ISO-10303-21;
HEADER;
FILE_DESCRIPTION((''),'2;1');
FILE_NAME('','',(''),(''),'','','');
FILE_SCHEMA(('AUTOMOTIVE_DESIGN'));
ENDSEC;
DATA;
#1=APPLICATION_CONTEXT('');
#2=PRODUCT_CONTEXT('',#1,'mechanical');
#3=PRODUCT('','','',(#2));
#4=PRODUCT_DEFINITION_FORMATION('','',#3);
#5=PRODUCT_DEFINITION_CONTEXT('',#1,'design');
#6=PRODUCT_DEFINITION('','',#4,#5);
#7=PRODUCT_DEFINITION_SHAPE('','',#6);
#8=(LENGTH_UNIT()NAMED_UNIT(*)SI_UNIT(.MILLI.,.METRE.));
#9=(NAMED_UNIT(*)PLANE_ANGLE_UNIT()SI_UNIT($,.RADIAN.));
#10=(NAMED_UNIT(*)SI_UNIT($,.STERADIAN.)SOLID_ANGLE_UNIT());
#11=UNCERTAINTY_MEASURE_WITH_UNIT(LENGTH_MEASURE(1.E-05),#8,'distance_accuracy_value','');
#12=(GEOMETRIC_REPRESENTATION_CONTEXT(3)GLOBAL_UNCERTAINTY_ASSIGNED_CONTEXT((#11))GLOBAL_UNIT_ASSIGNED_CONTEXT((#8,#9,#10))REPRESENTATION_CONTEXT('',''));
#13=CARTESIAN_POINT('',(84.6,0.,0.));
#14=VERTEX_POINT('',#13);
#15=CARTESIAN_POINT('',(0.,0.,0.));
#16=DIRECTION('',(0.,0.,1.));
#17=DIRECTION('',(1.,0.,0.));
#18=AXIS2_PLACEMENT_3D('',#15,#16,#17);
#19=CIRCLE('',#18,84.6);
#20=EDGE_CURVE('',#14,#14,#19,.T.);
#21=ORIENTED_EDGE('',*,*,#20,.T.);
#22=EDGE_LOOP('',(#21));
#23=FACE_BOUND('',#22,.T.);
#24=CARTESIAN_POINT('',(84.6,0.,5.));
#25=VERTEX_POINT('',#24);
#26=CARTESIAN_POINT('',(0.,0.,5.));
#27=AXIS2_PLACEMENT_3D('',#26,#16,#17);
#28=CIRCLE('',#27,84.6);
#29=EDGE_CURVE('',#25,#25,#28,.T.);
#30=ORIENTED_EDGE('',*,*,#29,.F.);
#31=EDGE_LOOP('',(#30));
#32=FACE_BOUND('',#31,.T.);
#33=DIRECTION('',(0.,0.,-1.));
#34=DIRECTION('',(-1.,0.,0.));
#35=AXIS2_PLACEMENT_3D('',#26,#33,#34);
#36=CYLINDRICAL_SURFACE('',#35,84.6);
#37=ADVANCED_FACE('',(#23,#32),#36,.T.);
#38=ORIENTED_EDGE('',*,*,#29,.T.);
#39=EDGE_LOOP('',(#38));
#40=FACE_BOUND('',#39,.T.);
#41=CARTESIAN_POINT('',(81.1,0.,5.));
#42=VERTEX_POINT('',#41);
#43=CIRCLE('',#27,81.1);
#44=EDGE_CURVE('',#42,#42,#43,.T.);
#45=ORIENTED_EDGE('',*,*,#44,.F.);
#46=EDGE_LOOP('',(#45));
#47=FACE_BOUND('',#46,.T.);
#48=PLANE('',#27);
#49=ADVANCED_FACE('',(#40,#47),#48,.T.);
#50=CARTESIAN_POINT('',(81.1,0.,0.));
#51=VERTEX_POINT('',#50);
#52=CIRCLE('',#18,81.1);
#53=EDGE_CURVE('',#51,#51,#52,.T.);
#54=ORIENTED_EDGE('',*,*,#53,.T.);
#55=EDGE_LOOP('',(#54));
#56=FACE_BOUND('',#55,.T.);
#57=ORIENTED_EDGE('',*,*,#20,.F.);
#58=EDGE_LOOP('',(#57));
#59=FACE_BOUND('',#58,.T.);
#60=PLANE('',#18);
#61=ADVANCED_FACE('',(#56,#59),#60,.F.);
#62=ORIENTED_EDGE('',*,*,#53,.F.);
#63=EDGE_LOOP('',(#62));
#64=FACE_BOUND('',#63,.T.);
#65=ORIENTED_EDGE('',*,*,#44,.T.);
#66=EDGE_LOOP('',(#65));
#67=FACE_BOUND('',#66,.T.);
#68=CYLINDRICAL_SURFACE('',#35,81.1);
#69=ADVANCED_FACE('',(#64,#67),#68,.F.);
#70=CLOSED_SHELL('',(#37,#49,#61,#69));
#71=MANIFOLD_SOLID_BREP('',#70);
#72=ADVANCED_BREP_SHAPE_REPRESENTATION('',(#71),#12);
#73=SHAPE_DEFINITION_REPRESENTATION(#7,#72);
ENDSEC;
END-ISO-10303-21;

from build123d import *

# Parameters (mm, degrees)
SKETCH_1_R      = 84.6
SKETCH_1_R_2    = 81.1
EXTRUDE_1_DEPTH = 5


with BuildPart() as part:
    # 스케치1 → 보스-돌출1 (new body)
    with BuildSketch(Plane.XY):
        Circle(SKETCH_1_R)
        Circle(SKETCH_1_R_2, mode=Mode.SUBTRACT)
    extrude(amount=EXTRUDE_1_DEPTH)


solid = part.part
